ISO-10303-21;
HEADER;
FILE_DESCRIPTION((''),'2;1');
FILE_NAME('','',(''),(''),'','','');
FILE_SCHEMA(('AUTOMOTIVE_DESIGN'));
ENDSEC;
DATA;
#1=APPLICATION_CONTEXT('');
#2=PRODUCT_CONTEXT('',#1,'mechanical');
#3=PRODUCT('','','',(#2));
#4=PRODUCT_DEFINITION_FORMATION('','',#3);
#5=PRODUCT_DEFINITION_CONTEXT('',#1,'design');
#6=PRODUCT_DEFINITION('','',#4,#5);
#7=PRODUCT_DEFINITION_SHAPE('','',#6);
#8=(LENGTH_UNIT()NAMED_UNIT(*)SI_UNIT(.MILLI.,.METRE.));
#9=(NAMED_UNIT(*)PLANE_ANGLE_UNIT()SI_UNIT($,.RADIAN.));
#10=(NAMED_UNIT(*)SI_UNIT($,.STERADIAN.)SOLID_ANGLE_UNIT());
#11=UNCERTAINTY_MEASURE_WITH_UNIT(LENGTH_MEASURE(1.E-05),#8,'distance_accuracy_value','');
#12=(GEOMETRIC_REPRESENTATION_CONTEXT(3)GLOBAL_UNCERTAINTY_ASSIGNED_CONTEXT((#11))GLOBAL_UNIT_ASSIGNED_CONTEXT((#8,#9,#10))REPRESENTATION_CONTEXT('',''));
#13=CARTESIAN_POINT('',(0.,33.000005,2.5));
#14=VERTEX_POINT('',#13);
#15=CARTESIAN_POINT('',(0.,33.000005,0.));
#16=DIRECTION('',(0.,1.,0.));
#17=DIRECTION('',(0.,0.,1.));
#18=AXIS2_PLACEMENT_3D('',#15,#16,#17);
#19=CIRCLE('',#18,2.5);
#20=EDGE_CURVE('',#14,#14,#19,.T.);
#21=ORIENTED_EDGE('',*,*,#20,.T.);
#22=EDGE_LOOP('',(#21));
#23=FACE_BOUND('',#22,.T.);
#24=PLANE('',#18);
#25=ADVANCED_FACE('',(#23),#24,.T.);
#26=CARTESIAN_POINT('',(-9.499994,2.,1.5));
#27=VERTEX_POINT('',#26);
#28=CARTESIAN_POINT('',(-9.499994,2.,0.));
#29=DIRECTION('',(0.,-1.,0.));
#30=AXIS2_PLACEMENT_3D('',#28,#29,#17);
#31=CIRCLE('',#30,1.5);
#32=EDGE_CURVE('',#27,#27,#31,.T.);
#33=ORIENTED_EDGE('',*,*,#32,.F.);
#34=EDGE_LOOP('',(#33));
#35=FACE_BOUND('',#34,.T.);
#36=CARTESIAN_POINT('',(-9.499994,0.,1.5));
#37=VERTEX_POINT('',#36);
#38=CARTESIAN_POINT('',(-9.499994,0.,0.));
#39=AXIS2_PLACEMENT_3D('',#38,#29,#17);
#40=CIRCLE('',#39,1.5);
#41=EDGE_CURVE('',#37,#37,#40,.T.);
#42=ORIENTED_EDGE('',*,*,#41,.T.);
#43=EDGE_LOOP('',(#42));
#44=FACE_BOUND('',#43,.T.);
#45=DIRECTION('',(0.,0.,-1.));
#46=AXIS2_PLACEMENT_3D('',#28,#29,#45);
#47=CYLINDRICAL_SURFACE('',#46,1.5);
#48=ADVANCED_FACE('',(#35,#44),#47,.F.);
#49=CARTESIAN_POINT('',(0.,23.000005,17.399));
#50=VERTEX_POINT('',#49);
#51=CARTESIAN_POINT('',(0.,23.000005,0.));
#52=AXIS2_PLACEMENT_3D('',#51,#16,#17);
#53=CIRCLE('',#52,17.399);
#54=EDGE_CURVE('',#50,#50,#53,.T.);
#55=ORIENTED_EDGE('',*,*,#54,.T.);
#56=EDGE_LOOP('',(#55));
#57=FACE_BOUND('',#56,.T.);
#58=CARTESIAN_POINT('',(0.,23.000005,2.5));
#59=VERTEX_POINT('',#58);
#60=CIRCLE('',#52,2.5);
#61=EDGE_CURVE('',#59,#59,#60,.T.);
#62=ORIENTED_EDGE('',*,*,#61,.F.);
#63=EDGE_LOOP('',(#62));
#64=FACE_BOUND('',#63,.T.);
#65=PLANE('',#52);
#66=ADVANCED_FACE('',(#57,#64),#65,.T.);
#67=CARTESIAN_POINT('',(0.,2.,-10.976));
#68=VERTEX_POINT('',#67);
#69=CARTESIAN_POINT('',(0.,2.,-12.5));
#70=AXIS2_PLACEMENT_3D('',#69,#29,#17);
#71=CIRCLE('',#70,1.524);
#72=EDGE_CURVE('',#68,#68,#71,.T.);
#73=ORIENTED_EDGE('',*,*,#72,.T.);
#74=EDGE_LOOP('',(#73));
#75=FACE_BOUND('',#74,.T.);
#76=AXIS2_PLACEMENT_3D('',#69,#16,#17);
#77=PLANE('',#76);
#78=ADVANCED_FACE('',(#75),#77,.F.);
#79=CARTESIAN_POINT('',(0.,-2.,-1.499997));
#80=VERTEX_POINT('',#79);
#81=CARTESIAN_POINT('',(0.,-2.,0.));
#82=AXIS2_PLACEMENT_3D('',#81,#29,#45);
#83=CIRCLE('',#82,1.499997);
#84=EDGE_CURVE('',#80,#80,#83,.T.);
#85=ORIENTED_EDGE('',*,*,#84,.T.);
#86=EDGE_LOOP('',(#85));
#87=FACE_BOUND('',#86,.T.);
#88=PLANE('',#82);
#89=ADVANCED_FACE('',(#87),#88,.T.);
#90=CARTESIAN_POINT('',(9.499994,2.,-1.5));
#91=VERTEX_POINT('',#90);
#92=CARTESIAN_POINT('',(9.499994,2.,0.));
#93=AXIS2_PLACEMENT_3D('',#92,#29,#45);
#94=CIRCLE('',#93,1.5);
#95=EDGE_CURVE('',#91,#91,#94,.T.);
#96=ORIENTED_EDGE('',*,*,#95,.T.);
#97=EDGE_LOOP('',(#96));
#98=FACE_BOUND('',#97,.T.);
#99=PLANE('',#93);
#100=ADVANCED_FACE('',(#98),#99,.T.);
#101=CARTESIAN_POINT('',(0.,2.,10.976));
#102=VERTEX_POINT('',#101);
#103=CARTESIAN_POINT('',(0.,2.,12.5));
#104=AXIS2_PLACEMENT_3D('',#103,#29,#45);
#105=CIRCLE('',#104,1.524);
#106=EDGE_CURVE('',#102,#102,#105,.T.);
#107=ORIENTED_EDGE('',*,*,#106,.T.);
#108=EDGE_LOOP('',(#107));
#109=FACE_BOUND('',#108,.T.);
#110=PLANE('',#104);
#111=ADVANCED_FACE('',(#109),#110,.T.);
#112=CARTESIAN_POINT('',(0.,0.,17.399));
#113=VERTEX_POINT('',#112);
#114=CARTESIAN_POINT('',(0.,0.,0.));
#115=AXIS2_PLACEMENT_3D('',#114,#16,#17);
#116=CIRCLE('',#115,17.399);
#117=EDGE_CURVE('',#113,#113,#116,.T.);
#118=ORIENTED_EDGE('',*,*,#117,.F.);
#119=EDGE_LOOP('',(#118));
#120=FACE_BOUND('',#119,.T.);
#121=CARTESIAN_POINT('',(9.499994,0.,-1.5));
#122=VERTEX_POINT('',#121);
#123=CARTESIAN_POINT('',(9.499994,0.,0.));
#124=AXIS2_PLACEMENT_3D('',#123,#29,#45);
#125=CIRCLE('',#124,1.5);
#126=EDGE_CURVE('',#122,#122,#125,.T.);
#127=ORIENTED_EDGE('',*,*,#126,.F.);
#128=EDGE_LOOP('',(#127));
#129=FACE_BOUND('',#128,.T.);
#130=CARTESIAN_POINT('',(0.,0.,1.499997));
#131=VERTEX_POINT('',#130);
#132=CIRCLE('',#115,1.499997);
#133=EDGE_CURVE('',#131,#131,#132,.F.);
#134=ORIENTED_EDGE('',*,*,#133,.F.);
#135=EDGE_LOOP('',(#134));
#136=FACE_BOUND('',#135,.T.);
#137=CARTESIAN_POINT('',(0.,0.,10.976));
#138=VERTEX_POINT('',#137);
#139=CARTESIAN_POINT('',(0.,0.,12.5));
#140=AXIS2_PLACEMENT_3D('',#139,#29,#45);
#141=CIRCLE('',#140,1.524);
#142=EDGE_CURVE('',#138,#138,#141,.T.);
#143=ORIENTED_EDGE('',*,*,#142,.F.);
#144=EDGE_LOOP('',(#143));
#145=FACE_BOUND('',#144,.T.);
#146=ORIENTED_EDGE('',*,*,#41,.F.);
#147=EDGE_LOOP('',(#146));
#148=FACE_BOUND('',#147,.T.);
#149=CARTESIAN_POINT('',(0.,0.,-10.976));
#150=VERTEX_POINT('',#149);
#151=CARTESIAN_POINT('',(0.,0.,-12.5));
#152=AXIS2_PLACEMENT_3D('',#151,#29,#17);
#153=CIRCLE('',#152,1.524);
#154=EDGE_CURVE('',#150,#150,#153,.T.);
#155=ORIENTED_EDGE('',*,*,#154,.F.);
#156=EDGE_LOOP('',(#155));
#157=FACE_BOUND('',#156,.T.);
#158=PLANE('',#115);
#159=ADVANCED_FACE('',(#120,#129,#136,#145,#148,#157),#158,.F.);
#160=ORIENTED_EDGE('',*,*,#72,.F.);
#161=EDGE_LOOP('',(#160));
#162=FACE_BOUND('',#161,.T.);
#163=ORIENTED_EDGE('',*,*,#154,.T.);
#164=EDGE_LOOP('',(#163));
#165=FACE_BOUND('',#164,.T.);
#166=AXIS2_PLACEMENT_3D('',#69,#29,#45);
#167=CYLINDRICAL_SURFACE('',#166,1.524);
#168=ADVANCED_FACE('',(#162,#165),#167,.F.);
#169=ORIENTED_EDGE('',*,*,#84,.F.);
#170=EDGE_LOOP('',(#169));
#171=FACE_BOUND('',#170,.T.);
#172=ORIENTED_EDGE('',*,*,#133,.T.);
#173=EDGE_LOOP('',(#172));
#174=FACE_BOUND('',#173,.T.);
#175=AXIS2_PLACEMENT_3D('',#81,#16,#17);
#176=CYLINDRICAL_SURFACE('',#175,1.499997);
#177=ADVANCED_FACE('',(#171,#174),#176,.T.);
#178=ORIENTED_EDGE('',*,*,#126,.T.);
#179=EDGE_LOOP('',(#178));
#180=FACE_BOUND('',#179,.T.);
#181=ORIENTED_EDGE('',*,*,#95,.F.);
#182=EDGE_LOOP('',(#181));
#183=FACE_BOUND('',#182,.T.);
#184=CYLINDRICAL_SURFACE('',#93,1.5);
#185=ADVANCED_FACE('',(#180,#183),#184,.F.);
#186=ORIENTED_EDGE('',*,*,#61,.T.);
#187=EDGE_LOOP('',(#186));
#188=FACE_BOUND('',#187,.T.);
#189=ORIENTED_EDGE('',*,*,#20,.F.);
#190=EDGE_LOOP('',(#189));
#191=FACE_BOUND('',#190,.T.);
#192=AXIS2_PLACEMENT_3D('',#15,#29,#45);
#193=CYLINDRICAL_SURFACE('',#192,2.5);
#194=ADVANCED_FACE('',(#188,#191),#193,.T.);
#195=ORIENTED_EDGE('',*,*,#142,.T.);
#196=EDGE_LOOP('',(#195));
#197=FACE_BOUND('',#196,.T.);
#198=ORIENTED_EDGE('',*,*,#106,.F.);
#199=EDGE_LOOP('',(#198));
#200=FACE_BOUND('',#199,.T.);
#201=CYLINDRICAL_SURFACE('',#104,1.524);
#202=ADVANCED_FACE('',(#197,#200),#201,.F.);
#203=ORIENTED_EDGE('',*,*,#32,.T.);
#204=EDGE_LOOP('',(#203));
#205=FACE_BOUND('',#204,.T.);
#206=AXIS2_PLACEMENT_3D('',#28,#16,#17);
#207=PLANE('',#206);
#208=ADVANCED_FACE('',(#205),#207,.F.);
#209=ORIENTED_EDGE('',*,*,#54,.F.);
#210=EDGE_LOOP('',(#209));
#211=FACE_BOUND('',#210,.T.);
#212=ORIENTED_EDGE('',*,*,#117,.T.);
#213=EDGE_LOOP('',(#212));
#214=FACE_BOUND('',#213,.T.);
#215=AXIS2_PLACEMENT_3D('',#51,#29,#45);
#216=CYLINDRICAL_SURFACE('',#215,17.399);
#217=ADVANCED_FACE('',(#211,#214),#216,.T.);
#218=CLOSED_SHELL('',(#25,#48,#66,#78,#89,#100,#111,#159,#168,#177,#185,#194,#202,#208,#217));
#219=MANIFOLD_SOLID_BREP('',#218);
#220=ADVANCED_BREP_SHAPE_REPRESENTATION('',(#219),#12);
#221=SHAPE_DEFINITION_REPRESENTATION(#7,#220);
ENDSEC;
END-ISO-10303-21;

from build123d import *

# Parameters (mm, degrees)
SKETCH1_R           = 17.399
BOSS_EXTRUDE1_DEPTH = 23.0000048
SKETCH2_R           = 2.5
BOSS_EXTRUDE2_DEPTH = 10
SKETCH3_R           = 1.499997
BOSS_EXTRUDE3_DEPTH = 2
SKETCH4_R           = 1.524
SKETCH4_R_2         = 1.5
CUT_EXTRUDE1_DEPTH  = 2


with BuildPart() as part:
    # Sketch1 → Boss-Extrude1 (new body)
    with BuildSketch(Plane(origin=(0, 0, 0), x_dir=(1, 0, 0), z_dir=(0, 1, 0))):
        with Locations(Location((0, 0, 0), (0, 0, 270))):
            Circle(SKETCH1_R)
    extrude(amount=BOSS_EXTRUDE1_DEPTH)

    # Sketch2 → Boss-Extrude2 (add)
    with BuildSketch(Plane(origin=(0, 23.0000048, 0), x_dir=(1, 0, 0), z_dir=(0, 1, 0))):
        with Locations(Location((0, 0, 0), (0, 0, 270))):
            Circle(SKETCH2_R)
    extrude(amount=BOSS_EXTRUDE2_DEPTH)

    # Sketch3 → Boss-Extrude3 (add)
    with BuildSketch(Plane.XZ):
        with Locations(Location((0, 0, 0), (0, 0, 90))):
            Circle(SKETCH3_R)
    extrude(amount=BOSS_EXTRUDE3_DEPTH)

    # Sketch4 → Cut-Extrude1 (cut)
    with BuildSketch(Plane.XZ):
        with Locations(Location((0, 12.5000004, 0), (0, 0, 270))):
            Circle(SKETCH4_R)
        with Locations(Location((9.4999937, 0, 0), (0, 0, 270))):
            Circle(SKETCH4_R_2)
        with Locations(Location((-9.4999937, 0, 0), (0, 0, 90))):
            Circle(SKETCH4_R_2)
        with Locations(Location((0, -12.5000004, 0), (0, 0, 90))):
            Circle(SKETCH4_R)
    extrude(amount=-CUT_EXTRUDE1_DEPTH, mode=Mode.SUBTRACT)


solid = part.part
